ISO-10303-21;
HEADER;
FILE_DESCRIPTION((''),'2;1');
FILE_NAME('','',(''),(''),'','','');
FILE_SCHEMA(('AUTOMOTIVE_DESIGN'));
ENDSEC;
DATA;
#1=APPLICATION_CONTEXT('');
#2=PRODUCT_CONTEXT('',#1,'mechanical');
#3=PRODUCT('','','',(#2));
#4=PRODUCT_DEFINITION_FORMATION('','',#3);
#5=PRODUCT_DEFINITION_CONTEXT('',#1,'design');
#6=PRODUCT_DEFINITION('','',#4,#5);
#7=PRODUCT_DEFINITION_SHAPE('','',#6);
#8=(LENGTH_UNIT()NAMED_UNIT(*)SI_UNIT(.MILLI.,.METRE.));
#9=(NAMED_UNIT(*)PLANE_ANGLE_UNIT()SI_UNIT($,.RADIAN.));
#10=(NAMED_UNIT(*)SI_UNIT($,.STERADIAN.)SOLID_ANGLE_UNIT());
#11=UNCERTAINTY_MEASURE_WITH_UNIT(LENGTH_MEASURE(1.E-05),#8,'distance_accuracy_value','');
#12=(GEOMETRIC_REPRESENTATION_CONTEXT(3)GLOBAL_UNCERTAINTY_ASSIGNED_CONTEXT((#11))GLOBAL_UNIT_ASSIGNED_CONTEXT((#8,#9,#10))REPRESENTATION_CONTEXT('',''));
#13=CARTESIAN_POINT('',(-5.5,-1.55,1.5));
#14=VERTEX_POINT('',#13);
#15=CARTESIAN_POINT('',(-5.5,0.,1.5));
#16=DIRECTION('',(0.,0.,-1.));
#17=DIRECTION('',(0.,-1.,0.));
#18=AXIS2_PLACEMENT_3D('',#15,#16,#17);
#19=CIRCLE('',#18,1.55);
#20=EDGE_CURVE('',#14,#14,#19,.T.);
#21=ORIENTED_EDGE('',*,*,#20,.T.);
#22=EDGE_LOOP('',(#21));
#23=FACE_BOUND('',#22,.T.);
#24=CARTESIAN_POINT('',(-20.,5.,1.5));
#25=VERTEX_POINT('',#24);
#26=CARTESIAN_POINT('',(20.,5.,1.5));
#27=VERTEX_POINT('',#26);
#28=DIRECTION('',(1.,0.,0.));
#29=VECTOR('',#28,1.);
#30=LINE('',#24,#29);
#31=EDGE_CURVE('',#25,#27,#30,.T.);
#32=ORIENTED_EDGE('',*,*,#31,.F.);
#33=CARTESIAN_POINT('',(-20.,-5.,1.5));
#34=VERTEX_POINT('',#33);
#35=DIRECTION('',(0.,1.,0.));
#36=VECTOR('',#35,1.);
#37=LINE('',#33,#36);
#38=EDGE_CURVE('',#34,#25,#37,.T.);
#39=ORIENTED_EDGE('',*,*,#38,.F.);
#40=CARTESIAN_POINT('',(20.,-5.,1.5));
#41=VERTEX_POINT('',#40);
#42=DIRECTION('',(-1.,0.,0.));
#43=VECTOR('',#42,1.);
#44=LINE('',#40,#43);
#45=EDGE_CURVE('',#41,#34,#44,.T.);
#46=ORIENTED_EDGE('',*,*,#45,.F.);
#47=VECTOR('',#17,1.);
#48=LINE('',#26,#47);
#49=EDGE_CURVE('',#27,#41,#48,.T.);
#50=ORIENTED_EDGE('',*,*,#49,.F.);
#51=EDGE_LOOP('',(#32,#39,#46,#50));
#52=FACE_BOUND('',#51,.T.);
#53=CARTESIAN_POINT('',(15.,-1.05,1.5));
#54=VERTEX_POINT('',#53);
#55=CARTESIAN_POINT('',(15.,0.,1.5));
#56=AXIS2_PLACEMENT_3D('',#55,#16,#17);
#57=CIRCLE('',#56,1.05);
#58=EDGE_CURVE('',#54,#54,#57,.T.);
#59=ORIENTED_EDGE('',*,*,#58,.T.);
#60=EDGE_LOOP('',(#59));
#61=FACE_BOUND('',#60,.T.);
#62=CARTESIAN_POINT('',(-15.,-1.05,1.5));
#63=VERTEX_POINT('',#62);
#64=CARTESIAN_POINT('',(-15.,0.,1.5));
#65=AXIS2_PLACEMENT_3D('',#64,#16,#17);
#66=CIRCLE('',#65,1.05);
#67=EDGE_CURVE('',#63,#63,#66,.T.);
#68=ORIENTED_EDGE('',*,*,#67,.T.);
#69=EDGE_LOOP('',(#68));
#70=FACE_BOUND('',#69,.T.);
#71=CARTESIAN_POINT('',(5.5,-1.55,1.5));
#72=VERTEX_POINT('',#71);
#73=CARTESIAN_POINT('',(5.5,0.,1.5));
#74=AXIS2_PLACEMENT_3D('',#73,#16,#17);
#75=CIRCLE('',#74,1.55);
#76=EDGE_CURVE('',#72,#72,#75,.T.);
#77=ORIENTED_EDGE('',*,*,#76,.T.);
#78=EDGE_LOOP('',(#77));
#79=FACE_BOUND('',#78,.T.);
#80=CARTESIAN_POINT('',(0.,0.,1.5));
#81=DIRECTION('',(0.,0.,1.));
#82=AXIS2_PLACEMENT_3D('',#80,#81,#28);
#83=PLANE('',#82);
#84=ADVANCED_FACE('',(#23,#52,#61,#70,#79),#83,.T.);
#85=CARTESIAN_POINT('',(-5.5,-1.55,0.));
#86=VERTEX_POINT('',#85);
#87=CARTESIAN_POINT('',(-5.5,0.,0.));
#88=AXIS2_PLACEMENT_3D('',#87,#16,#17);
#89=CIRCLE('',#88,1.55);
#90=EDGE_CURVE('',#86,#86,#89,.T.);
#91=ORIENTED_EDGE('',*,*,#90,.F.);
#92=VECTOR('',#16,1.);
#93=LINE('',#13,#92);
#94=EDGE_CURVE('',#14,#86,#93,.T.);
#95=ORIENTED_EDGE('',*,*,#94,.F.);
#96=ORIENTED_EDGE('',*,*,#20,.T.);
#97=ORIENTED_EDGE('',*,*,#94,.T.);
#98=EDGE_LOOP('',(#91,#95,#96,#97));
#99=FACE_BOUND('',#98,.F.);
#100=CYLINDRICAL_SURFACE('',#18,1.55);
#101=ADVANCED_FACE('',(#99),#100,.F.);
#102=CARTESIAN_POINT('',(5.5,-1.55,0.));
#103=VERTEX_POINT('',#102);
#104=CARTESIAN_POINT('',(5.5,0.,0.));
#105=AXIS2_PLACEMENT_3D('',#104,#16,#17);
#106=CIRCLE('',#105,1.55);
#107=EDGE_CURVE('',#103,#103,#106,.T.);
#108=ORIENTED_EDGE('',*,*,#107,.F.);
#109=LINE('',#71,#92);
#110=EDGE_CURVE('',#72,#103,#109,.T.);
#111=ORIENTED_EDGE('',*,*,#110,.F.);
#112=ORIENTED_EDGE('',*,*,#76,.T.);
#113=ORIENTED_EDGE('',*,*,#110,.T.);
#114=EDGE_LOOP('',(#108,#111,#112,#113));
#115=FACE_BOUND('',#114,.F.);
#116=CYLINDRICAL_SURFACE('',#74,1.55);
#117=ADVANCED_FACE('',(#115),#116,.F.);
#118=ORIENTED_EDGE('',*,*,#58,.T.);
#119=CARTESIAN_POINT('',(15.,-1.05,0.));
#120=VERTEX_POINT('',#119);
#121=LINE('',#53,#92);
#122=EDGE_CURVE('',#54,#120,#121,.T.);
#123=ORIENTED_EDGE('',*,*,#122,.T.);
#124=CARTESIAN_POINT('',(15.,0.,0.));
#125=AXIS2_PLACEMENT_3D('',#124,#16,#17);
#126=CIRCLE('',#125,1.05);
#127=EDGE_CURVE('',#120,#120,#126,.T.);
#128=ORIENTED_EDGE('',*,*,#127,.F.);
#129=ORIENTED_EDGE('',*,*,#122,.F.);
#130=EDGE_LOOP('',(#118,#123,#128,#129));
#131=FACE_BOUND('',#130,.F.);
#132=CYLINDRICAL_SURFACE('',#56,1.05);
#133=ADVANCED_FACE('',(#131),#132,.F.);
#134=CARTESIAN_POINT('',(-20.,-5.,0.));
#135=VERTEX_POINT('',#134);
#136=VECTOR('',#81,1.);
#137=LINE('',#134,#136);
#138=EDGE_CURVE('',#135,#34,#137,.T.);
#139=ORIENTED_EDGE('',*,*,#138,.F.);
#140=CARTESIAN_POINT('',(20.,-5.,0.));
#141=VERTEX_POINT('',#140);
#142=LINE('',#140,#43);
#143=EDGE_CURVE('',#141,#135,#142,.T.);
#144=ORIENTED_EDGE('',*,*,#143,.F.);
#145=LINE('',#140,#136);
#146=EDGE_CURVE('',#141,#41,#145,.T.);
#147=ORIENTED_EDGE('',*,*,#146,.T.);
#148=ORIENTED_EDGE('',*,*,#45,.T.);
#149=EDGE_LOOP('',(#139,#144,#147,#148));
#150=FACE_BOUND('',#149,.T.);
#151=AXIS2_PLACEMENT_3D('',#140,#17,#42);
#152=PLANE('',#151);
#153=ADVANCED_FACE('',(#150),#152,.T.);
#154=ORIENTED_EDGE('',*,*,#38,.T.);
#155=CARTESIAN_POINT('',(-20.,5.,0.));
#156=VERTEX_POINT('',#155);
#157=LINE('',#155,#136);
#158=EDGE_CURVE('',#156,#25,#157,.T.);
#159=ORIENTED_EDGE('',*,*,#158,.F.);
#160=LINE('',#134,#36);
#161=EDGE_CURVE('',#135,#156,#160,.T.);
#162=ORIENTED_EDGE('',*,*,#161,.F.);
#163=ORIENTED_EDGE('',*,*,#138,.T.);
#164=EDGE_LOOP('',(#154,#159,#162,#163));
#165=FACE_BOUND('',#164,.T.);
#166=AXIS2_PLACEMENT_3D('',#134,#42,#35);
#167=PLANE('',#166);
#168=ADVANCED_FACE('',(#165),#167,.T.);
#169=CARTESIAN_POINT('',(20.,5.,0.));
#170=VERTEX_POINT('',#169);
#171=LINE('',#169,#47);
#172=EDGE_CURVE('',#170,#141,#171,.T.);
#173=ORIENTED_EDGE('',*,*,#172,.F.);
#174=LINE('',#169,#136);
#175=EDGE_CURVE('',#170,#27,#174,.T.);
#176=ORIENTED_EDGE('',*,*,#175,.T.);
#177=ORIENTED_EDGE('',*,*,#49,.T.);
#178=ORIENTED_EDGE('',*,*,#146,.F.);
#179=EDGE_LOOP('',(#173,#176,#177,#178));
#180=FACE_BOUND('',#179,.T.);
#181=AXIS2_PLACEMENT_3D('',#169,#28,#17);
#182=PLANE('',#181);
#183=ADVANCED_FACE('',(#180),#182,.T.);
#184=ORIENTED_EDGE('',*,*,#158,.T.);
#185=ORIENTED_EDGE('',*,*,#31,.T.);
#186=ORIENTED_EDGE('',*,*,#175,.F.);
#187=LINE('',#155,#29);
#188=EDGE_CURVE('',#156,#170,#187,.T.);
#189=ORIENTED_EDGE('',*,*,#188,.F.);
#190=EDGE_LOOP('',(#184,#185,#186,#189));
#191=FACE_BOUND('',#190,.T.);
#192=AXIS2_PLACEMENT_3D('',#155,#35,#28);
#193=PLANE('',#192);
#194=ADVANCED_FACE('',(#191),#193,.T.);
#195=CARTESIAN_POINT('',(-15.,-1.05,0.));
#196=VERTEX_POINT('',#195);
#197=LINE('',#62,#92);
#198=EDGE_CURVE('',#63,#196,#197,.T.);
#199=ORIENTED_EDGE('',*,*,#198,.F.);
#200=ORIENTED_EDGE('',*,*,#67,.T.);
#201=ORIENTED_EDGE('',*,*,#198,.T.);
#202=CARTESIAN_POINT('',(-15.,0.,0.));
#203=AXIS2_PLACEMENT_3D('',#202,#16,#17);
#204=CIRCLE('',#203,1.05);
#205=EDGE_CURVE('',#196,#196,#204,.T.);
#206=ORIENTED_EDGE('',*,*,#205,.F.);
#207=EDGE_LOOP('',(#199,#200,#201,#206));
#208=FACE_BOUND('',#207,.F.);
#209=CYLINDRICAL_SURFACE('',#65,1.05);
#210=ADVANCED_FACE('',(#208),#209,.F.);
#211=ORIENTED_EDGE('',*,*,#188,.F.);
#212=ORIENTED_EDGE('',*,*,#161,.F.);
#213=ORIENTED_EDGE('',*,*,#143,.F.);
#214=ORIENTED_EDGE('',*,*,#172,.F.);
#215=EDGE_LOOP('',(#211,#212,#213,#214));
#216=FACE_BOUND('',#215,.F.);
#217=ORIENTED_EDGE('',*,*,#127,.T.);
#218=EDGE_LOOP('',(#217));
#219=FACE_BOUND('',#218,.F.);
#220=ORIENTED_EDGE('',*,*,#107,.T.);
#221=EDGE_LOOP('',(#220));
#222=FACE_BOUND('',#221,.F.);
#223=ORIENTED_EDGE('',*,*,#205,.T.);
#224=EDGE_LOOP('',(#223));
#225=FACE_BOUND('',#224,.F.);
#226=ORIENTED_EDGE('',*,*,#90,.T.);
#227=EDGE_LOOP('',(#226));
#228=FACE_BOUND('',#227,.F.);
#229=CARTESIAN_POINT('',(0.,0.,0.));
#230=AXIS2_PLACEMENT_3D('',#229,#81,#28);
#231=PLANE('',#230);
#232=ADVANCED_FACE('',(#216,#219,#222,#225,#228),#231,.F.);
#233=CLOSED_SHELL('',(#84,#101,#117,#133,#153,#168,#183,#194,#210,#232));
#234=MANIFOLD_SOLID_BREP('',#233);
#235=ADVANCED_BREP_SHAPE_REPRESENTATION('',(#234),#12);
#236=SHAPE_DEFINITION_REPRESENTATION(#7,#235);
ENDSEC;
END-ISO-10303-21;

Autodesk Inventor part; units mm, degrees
ref_plane "YZ Plane" through (0, 0, 0) normal (1, 0, 0) x (0, 1, 0)
ref_plane "XZ Plane" through (0, 0, 0) normal (0, 1, 0) x (-1, 0, 0)
ref_plane "XY Plane" through (0, 0, 0) normal (0, 0, 1) x (1, 0, 0)
sketch "スケッチ1" plane through (0, 0, 0) normal (0, 0, 1) x (1, 0, 0)
  line L0 (-20, 5) -> (20, 5)
  line L1 (20, 5) -> (20, -5)
  line L2 (20, -5) -> (-20, -5)
  line L3 (-20, -5) -> (-20, 5)
  line L4 (-20, 5) -> (20, -5) construction
  line L5 (20, 5) -> (-20, -5) construction
  point P0 (0, 0)
  dimension "d0" = 40
  dimension "d1" = 10
extrude "押し出し1" add sketch "スケッチ1" along normal blind 1.5
sketch "スケッチ2" plane through (0, 0, 1.5) normal (0, 0, 1) x (1, 0, 0)
  point P0 (0, 0)
  point P1 (-5.5, 0)
  point P2 (5.5, 0)
  dimension "d4" = 0
  dimension "d5" = 11
  dimension "d6" = 5.5
hole "穴1" at (-5.5, 0, 1.5) at (5.5, 0, 1.5) direction (0, 0, -1) diameter 3.1 end through all
sketch "スケッチ3" plane through (0, 0, 1.5) normal (0, 0, 1) x (1, 0, 0)
  line L0 (20, -5) -> (20, 5) projected
  line L1 (-20, 5) -> (-20, -5) projected
  point P0 (0, 0)
  point P1 (-15, 0)
  point P2 (15, 0)
  dimension "d14" = 5
  dimension "d15" = 5
hole "穴2" at (-15, 0, 1.5) at (15, 0, 1.5) direction (0, 0, -1) diameter 2.1 end through all
properties material "アルミニウム 5052 H32"
